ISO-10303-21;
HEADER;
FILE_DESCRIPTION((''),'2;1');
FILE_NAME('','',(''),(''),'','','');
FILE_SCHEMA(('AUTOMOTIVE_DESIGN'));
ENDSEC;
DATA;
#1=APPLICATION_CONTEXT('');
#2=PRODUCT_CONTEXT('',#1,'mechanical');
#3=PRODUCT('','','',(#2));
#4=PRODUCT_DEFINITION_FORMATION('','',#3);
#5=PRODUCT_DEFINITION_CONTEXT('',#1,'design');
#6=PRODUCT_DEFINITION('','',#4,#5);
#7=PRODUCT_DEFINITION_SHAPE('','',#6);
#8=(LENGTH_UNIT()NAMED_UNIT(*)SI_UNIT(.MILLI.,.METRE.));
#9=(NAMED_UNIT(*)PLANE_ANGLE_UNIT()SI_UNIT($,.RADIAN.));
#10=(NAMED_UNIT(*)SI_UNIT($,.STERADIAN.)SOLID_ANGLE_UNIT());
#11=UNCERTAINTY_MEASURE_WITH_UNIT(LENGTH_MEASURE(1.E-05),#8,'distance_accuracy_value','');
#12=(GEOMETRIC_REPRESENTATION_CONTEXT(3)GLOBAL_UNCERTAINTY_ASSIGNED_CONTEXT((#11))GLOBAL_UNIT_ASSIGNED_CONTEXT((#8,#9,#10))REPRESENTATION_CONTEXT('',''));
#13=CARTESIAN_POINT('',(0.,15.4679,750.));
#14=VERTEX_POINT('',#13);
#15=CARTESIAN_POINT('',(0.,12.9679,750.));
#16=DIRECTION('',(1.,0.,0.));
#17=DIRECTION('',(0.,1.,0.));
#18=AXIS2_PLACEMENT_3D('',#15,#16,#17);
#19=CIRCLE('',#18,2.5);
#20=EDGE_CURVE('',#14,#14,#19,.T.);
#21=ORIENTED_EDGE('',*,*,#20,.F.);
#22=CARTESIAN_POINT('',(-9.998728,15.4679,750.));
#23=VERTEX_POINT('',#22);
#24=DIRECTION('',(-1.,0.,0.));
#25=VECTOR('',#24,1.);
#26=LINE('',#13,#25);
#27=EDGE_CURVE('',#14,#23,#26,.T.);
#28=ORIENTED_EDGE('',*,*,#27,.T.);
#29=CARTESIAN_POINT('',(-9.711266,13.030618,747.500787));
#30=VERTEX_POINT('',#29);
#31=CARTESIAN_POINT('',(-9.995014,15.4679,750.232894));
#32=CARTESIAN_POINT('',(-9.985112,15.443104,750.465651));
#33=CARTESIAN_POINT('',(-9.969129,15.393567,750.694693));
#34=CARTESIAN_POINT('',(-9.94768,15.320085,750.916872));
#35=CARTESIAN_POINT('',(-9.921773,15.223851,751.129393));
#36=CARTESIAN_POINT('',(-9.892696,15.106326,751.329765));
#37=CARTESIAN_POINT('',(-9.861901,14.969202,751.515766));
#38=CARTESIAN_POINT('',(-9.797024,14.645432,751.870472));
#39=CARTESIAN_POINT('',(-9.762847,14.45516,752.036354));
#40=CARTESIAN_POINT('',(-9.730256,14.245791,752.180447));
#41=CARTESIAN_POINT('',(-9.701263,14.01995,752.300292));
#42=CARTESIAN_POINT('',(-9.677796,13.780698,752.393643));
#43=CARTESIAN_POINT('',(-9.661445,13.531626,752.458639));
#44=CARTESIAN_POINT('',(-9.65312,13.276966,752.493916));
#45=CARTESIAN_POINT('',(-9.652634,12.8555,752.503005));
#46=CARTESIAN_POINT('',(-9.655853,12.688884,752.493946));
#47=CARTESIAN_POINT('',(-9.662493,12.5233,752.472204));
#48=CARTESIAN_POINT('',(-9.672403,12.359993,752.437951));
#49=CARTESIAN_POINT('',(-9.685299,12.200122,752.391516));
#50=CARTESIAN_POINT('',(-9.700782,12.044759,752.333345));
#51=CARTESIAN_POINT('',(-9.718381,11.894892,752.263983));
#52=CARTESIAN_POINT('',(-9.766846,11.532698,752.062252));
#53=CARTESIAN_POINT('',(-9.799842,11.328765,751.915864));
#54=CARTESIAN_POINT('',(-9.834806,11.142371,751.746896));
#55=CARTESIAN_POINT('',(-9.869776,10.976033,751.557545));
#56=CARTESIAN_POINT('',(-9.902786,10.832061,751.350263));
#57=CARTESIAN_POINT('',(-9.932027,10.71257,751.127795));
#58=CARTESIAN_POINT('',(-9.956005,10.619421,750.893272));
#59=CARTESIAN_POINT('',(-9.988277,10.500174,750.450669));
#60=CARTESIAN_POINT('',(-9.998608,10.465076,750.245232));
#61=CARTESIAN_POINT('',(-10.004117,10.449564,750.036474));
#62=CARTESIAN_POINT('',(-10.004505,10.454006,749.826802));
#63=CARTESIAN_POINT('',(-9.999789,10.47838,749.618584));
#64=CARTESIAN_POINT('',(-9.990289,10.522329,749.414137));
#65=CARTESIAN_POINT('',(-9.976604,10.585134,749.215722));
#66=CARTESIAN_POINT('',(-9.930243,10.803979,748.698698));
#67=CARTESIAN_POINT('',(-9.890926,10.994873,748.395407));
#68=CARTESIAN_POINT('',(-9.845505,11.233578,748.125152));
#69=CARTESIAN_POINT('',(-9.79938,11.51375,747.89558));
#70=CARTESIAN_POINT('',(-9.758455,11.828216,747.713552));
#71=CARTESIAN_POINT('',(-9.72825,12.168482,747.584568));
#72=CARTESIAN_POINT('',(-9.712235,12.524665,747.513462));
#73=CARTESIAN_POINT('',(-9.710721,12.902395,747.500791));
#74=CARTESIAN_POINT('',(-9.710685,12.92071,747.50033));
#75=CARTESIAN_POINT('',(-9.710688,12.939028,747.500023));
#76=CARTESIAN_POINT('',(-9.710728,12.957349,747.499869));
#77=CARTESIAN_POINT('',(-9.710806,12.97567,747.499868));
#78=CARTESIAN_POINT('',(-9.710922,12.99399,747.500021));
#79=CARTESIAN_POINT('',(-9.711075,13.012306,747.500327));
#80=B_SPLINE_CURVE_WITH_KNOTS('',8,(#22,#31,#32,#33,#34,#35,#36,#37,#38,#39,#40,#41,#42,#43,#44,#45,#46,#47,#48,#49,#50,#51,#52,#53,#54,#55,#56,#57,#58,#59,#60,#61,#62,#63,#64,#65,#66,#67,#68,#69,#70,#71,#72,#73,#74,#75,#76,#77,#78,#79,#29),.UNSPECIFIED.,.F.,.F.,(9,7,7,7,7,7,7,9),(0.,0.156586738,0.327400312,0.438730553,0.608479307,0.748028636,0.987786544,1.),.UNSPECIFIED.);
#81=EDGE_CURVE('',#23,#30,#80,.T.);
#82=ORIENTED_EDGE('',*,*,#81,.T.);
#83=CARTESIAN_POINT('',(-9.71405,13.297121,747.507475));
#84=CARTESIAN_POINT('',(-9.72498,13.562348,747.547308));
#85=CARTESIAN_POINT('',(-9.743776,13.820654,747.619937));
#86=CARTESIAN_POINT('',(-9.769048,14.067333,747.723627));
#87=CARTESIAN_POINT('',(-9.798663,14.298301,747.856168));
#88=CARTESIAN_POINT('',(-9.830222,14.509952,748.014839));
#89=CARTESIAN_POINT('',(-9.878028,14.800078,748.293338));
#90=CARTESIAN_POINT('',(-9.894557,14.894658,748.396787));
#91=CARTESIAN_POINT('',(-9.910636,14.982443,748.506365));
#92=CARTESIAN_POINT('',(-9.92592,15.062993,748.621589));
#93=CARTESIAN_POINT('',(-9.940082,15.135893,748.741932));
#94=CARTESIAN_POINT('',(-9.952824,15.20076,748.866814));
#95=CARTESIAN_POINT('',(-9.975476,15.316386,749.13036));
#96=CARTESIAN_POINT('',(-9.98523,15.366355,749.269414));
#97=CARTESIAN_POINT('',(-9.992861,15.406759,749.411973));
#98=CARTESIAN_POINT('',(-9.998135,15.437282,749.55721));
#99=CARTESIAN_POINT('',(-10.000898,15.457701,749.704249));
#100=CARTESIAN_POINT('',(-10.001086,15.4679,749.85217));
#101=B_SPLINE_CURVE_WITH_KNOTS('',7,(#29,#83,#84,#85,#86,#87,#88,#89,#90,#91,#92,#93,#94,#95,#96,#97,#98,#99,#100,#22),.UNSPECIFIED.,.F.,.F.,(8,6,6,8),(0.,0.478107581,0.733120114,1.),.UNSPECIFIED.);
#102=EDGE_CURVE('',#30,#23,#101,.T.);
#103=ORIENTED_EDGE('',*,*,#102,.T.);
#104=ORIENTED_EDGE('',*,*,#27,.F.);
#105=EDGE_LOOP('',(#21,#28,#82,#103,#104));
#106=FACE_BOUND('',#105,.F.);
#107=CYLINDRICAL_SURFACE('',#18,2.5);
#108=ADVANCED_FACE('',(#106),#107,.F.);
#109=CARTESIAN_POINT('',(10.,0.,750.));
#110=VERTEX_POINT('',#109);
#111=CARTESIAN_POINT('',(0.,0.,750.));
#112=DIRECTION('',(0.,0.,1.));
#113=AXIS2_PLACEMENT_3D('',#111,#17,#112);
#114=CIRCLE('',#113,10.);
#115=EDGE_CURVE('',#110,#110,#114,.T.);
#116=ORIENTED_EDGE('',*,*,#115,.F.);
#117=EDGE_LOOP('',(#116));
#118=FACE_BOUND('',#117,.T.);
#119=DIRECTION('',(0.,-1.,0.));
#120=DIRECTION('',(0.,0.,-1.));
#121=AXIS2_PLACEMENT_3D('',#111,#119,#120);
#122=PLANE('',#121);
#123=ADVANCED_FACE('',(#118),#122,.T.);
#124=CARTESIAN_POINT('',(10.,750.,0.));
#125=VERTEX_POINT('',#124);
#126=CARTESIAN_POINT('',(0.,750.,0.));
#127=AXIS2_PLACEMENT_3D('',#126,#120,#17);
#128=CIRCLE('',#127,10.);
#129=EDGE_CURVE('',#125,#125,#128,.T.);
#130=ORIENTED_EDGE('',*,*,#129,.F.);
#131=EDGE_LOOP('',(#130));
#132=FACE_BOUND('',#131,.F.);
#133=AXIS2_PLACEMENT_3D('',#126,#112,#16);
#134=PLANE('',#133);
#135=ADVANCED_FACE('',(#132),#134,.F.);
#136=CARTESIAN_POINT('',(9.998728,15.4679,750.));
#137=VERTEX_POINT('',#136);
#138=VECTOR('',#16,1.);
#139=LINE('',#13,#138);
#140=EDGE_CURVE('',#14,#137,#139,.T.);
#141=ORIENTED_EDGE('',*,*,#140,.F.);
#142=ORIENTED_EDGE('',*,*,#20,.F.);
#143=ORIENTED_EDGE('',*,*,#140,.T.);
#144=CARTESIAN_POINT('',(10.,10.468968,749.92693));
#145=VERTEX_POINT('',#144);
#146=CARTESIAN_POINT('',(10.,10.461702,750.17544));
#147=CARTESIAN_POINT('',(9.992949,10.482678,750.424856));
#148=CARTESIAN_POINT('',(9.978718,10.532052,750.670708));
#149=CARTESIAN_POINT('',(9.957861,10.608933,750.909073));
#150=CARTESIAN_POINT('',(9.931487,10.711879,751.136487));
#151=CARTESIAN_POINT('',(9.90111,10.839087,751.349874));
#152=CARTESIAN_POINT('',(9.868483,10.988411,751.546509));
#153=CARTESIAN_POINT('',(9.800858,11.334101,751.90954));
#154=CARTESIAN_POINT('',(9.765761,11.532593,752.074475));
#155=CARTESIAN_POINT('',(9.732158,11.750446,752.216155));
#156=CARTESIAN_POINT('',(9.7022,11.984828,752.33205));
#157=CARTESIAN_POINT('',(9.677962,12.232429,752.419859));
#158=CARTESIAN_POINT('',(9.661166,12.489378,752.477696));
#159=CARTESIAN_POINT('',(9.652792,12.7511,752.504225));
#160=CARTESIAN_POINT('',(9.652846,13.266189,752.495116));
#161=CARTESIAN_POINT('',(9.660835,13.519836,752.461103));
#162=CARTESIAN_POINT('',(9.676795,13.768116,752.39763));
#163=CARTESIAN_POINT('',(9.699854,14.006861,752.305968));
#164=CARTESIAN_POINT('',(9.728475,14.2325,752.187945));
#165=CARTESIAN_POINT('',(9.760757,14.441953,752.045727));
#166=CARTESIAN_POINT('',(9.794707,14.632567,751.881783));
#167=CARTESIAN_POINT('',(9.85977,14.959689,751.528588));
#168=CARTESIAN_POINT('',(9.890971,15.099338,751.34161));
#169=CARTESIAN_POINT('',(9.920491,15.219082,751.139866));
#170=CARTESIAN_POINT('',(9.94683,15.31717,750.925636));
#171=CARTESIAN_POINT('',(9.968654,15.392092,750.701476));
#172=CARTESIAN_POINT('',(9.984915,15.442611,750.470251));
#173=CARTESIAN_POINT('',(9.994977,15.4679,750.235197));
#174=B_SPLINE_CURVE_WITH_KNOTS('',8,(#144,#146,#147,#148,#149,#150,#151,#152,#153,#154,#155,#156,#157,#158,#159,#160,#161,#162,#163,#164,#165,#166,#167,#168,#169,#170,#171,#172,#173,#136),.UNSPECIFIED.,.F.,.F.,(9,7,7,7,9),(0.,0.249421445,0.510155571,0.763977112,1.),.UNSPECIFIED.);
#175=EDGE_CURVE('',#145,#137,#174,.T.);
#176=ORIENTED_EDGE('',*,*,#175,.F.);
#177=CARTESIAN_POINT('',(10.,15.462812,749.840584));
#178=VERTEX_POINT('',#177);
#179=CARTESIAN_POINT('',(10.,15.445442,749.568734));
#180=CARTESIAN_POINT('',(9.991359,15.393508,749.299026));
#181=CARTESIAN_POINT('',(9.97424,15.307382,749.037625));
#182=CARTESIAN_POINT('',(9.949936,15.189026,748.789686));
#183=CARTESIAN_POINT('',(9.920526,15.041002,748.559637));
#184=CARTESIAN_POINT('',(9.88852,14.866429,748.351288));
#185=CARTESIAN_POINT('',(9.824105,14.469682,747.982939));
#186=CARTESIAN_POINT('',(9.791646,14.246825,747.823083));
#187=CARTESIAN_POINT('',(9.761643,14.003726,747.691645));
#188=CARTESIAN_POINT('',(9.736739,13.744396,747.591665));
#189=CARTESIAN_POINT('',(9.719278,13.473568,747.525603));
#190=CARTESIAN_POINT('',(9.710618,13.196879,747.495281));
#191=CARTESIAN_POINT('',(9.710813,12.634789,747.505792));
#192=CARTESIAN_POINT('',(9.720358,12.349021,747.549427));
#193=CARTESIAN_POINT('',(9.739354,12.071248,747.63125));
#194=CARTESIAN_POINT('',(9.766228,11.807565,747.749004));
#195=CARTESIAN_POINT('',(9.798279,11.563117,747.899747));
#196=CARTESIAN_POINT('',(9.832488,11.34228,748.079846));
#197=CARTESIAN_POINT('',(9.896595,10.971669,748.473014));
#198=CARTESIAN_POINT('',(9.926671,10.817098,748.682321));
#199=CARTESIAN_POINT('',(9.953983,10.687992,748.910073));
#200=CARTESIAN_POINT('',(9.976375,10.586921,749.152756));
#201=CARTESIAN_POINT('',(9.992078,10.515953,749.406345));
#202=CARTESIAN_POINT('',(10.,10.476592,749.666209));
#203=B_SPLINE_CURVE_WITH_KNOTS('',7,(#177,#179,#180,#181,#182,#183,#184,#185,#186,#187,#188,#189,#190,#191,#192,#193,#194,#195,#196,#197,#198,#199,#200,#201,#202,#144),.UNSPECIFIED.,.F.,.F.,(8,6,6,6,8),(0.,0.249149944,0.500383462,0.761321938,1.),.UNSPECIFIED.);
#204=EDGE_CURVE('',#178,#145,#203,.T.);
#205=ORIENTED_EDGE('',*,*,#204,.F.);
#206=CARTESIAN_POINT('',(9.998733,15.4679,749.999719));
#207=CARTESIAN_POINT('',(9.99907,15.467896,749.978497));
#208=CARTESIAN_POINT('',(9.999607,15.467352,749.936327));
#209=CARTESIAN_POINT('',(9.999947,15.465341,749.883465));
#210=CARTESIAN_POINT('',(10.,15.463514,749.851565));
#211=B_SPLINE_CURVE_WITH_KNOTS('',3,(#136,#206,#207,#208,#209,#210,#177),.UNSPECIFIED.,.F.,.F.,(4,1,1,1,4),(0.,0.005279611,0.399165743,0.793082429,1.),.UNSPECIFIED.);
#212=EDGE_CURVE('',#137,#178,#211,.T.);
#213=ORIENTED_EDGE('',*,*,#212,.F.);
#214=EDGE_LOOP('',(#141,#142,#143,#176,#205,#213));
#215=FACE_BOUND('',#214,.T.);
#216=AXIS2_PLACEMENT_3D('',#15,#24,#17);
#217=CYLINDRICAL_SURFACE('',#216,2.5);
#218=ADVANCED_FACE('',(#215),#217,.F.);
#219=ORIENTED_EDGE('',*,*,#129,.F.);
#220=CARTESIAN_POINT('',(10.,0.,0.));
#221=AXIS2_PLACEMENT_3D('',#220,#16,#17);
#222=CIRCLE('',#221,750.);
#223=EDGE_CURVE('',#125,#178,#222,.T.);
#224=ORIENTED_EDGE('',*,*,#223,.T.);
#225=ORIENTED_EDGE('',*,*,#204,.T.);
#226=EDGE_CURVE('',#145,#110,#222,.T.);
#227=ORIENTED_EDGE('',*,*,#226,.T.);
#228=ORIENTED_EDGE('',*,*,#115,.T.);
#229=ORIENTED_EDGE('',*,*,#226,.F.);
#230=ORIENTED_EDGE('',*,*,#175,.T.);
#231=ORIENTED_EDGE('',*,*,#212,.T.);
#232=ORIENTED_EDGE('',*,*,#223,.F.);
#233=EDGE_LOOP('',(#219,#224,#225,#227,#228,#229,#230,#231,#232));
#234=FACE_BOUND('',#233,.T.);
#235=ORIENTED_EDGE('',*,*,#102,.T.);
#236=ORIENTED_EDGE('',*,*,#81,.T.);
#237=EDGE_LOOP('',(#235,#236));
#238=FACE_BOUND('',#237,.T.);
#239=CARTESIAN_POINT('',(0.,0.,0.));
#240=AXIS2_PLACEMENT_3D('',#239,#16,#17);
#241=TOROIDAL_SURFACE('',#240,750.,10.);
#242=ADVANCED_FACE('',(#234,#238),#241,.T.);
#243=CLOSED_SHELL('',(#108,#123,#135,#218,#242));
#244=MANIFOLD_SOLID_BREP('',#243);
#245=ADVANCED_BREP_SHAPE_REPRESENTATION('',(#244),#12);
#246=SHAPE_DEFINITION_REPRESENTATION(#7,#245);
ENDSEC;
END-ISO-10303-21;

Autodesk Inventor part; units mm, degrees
ref_plane "YZ Plane" through (0, 0, 0) normal (1, 0, 0) x (0, 1, 0)
ref_plane "XZ Plane" through (0, 0, 0) normal (0, 1, 0) x (-1, 0, 0)
ref_plane "XY Plane" through (0, 0, 0) normal (0, 0, 1) x (1, 0, 0)
sketch "Sketch2" plane through (0, 0, 0) normal (0, 0, 1) x (1, 0, 0)
  circle A0 centre (0, 750) radius 10
  point P0 (0, 0)
  dimension "d6" = 20
  dimension "d7" = 750
sketch "Sketch3" plane through (0, 0, 0) normal (1, 0, 0) x (0, 1, 0)
  arc A0 (750, 0) -> (0, 750) centre (0, 0) ccw
sweep "Sweep1" add profiles "Sketch2" path "Sketch3"
sketch "Sketch4" plane through (0, 0, 0) normal (1, 0, 0) x (0, 1, 0)
  circle A0 centre (12.9679, 750) radius 2.5
  point P0 (0, 0)
  dimension "d10" = 5
extrude "Extrusion1" cut sketch "Sketch4" along normal mid plane 60
properties part number "ArcRod"
